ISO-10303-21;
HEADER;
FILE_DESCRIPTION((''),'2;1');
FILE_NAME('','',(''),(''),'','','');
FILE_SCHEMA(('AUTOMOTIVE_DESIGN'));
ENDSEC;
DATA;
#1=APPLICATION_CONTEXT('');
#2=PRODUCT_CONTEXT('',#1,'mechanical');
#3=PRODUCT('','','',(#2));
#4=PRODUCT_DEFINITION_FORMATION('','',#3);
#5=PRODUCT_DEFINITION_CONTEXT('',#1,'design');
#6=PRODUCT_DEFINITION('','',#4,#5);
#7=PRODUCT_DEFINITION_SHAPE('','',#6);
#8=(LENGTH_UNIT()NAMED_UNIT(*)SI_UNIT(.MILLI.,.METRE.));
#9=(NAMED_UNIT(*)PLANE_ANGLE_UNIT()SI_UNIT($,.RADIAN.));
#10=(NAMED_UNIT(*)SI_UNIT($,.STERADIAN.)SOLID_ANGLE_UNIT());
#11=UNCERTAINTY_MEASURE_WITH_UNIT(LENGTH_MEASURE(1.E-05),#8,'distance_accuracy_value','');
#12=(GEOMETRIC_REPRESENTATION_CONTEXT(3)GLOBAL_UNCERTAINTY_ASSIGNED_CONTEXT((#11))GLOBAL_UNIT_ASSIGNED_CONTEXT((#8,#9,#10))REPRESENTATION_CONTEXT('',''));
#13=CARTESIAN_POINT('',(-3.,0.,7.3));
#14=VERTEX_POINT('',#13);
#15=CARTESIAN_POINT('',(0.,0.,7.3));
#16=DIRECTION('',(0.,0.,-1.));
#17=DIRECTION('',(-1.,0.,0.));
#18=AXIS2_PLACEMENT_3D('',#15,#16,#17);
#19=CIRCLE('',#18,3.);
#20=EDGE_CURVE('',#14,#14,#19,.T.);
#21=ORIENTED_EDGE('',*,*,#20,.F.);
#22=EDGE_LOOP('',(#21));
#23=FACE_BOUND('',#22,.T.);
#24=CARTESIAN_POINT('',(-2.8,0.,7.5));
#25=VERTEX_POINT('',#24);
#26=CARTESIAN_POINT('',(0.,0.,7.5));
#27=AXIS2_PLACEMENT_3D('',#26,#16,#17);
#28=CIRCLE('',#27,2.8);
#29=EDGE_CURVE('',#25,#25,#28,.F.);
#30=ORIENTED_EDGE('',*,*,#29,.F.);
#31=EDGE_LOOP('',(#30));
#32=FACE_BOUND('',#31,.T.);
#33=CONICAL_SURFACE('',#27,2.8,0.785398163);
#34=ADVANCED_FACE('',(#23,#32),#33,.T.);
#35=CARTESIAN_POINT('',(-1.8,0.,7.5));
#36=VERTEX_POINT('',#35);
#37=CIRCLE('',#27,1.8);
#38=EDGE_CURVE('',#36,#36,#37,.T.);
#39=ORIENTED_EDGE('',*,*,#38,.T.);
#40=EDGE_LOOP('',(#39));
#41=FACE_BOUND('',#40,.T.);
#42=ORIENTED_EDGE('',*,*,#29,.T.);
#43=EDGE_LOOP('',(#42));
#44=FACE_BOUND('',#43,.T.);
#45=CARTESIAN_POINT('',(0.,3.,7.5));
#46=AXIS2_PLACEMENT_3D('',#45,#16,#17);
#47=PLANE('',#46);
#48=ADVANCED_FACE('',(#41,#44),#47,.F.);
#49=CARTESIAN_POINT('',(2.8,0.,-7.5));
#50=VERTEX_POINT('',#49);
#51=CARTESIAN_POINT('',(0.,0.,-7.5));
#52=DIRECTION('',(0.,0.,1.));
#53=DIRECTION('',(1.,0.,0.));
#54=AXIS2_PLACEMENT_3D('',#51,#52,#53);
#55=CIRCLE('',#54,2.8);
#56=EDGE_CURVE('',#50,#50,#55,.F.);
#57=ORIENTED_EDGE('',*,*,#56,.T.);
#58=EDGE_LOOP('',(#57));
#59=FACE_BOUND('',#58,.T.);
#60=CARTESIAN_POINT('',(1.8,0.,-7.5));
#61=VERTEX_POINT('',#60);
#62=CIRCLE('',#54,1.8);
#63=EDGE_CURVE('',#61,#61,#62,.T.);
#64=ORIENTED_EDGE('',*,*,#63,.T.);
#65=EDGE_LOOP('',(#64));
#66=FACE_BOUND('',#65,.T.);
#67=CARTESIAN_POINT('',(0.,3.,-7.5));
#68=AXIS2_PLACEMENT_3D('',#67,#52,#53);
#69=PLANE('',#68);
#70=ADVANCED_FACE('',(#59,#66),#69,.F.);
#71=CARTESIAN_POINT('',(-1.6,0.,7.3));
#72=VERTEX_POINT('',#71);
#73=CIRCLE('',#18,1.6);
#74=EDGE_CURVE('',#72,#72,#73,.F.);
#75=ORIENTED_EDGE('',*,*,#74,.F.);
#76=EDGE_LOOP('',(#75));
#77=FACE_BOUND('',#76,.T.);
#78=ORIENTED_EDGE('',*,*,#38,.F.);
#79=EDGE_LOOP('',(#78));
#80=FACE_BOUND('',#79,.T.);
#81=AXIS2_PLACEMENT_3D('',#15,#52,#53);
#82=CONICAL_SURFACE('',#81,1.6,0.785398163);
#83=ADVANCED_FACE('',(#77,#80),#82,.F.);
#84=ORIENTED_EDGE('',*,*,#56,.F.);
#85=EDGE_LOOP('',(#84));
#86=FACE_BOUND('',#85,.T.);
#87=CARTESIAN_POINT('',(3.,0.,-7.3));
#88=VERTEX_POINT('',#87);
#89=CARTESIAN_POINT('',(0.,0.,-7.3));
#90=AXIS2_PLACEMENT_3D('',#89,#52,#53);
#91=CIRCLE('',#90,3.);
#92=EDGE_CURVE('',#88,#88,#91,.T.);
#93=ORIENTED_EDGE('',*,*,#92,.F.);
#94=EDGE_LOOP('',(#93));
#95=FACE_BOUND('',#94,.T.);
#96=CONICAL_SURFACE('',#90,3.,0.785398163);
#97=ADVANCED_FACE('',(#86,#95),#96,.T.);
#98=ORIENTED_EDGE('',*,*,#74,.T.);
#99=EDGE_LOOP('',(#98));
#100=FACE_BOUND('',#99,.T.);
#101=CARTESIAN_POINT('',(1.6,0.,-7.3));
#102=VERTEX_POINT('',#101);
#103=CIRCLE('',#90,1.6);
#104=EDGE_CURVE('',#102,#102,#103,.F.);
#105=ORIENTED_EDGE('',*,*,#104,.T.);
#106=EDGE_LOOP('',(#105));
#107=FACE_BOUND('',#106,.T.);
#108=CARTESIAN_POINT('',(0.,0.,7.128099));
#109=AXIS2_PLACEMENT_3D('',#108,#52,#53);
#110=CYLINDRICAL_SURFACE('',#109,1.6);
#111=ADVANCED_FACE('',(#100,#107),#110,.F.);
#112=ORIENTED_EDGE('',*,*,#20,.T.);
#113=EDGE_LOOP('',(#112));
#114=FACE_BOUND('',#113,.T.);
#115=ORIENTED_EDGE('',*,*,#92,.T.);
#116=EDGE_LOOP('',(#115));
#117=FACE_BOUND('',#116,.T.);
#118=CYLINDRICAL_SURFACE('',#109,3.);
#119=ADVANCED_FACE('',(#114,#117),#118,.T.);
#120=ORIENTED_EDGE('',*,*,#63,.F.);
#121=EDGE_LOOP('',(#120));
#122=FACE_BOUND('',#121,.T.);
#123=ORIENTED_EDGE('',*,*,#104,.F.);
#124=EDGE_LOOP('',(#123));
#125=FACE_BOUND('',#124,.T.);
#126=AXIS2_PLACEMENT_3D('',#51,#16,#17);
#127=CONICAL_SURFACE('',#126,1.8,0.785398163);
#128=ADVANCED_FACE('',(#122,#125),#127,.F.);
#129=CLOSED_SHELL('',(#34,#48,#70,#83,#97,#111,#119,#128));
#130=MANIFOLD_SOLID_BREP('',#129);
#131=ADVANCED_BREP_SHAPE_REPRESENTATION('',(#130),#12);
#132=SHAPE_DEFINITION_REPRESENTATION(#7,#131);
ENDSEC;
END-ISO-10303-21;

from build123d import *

# Parameters (mm, degrees)
SKETCH_1_W     = 15
SKETCH_1_H     = 1.4
CHAMFER_1_SIZE = 0.2


with BuildPart() as part:
    # ｽｹｯﾁ1 → 回転1 (revolve)
    with BuildSketch(Plane(origin=(0, 0, 0), x_dir=(0, 0, -1), z_dir=(1, 0, 0)), mode=Mode.PRIVATE) as revolve_1_sk:
        with Locations((0, 2.3)):
            Rectangle(SKETCH_1_W, SKETCH_1_H)
    revolve(revolve_1_sk.sketch.rotate(Axis((0, 0, 7.128099174), (0, 0, -1)), 90), axis=Axis((0, 0, 7.128099174), (0, 0, -1)))

    # 面取り1
    chamfer_1_edges = [part.edges().sort_by_distance(p)[0] for p in [
        (-3, 0, 7.5),
        (-3, 0, -7.5),
        (-1.6, 0, -7.5),
        (-1.6, 0, 7.5),
    ]]
    chamfer(chamfer_1_edges, length=CHAMFER_1_SIZE)


solid = part.part
